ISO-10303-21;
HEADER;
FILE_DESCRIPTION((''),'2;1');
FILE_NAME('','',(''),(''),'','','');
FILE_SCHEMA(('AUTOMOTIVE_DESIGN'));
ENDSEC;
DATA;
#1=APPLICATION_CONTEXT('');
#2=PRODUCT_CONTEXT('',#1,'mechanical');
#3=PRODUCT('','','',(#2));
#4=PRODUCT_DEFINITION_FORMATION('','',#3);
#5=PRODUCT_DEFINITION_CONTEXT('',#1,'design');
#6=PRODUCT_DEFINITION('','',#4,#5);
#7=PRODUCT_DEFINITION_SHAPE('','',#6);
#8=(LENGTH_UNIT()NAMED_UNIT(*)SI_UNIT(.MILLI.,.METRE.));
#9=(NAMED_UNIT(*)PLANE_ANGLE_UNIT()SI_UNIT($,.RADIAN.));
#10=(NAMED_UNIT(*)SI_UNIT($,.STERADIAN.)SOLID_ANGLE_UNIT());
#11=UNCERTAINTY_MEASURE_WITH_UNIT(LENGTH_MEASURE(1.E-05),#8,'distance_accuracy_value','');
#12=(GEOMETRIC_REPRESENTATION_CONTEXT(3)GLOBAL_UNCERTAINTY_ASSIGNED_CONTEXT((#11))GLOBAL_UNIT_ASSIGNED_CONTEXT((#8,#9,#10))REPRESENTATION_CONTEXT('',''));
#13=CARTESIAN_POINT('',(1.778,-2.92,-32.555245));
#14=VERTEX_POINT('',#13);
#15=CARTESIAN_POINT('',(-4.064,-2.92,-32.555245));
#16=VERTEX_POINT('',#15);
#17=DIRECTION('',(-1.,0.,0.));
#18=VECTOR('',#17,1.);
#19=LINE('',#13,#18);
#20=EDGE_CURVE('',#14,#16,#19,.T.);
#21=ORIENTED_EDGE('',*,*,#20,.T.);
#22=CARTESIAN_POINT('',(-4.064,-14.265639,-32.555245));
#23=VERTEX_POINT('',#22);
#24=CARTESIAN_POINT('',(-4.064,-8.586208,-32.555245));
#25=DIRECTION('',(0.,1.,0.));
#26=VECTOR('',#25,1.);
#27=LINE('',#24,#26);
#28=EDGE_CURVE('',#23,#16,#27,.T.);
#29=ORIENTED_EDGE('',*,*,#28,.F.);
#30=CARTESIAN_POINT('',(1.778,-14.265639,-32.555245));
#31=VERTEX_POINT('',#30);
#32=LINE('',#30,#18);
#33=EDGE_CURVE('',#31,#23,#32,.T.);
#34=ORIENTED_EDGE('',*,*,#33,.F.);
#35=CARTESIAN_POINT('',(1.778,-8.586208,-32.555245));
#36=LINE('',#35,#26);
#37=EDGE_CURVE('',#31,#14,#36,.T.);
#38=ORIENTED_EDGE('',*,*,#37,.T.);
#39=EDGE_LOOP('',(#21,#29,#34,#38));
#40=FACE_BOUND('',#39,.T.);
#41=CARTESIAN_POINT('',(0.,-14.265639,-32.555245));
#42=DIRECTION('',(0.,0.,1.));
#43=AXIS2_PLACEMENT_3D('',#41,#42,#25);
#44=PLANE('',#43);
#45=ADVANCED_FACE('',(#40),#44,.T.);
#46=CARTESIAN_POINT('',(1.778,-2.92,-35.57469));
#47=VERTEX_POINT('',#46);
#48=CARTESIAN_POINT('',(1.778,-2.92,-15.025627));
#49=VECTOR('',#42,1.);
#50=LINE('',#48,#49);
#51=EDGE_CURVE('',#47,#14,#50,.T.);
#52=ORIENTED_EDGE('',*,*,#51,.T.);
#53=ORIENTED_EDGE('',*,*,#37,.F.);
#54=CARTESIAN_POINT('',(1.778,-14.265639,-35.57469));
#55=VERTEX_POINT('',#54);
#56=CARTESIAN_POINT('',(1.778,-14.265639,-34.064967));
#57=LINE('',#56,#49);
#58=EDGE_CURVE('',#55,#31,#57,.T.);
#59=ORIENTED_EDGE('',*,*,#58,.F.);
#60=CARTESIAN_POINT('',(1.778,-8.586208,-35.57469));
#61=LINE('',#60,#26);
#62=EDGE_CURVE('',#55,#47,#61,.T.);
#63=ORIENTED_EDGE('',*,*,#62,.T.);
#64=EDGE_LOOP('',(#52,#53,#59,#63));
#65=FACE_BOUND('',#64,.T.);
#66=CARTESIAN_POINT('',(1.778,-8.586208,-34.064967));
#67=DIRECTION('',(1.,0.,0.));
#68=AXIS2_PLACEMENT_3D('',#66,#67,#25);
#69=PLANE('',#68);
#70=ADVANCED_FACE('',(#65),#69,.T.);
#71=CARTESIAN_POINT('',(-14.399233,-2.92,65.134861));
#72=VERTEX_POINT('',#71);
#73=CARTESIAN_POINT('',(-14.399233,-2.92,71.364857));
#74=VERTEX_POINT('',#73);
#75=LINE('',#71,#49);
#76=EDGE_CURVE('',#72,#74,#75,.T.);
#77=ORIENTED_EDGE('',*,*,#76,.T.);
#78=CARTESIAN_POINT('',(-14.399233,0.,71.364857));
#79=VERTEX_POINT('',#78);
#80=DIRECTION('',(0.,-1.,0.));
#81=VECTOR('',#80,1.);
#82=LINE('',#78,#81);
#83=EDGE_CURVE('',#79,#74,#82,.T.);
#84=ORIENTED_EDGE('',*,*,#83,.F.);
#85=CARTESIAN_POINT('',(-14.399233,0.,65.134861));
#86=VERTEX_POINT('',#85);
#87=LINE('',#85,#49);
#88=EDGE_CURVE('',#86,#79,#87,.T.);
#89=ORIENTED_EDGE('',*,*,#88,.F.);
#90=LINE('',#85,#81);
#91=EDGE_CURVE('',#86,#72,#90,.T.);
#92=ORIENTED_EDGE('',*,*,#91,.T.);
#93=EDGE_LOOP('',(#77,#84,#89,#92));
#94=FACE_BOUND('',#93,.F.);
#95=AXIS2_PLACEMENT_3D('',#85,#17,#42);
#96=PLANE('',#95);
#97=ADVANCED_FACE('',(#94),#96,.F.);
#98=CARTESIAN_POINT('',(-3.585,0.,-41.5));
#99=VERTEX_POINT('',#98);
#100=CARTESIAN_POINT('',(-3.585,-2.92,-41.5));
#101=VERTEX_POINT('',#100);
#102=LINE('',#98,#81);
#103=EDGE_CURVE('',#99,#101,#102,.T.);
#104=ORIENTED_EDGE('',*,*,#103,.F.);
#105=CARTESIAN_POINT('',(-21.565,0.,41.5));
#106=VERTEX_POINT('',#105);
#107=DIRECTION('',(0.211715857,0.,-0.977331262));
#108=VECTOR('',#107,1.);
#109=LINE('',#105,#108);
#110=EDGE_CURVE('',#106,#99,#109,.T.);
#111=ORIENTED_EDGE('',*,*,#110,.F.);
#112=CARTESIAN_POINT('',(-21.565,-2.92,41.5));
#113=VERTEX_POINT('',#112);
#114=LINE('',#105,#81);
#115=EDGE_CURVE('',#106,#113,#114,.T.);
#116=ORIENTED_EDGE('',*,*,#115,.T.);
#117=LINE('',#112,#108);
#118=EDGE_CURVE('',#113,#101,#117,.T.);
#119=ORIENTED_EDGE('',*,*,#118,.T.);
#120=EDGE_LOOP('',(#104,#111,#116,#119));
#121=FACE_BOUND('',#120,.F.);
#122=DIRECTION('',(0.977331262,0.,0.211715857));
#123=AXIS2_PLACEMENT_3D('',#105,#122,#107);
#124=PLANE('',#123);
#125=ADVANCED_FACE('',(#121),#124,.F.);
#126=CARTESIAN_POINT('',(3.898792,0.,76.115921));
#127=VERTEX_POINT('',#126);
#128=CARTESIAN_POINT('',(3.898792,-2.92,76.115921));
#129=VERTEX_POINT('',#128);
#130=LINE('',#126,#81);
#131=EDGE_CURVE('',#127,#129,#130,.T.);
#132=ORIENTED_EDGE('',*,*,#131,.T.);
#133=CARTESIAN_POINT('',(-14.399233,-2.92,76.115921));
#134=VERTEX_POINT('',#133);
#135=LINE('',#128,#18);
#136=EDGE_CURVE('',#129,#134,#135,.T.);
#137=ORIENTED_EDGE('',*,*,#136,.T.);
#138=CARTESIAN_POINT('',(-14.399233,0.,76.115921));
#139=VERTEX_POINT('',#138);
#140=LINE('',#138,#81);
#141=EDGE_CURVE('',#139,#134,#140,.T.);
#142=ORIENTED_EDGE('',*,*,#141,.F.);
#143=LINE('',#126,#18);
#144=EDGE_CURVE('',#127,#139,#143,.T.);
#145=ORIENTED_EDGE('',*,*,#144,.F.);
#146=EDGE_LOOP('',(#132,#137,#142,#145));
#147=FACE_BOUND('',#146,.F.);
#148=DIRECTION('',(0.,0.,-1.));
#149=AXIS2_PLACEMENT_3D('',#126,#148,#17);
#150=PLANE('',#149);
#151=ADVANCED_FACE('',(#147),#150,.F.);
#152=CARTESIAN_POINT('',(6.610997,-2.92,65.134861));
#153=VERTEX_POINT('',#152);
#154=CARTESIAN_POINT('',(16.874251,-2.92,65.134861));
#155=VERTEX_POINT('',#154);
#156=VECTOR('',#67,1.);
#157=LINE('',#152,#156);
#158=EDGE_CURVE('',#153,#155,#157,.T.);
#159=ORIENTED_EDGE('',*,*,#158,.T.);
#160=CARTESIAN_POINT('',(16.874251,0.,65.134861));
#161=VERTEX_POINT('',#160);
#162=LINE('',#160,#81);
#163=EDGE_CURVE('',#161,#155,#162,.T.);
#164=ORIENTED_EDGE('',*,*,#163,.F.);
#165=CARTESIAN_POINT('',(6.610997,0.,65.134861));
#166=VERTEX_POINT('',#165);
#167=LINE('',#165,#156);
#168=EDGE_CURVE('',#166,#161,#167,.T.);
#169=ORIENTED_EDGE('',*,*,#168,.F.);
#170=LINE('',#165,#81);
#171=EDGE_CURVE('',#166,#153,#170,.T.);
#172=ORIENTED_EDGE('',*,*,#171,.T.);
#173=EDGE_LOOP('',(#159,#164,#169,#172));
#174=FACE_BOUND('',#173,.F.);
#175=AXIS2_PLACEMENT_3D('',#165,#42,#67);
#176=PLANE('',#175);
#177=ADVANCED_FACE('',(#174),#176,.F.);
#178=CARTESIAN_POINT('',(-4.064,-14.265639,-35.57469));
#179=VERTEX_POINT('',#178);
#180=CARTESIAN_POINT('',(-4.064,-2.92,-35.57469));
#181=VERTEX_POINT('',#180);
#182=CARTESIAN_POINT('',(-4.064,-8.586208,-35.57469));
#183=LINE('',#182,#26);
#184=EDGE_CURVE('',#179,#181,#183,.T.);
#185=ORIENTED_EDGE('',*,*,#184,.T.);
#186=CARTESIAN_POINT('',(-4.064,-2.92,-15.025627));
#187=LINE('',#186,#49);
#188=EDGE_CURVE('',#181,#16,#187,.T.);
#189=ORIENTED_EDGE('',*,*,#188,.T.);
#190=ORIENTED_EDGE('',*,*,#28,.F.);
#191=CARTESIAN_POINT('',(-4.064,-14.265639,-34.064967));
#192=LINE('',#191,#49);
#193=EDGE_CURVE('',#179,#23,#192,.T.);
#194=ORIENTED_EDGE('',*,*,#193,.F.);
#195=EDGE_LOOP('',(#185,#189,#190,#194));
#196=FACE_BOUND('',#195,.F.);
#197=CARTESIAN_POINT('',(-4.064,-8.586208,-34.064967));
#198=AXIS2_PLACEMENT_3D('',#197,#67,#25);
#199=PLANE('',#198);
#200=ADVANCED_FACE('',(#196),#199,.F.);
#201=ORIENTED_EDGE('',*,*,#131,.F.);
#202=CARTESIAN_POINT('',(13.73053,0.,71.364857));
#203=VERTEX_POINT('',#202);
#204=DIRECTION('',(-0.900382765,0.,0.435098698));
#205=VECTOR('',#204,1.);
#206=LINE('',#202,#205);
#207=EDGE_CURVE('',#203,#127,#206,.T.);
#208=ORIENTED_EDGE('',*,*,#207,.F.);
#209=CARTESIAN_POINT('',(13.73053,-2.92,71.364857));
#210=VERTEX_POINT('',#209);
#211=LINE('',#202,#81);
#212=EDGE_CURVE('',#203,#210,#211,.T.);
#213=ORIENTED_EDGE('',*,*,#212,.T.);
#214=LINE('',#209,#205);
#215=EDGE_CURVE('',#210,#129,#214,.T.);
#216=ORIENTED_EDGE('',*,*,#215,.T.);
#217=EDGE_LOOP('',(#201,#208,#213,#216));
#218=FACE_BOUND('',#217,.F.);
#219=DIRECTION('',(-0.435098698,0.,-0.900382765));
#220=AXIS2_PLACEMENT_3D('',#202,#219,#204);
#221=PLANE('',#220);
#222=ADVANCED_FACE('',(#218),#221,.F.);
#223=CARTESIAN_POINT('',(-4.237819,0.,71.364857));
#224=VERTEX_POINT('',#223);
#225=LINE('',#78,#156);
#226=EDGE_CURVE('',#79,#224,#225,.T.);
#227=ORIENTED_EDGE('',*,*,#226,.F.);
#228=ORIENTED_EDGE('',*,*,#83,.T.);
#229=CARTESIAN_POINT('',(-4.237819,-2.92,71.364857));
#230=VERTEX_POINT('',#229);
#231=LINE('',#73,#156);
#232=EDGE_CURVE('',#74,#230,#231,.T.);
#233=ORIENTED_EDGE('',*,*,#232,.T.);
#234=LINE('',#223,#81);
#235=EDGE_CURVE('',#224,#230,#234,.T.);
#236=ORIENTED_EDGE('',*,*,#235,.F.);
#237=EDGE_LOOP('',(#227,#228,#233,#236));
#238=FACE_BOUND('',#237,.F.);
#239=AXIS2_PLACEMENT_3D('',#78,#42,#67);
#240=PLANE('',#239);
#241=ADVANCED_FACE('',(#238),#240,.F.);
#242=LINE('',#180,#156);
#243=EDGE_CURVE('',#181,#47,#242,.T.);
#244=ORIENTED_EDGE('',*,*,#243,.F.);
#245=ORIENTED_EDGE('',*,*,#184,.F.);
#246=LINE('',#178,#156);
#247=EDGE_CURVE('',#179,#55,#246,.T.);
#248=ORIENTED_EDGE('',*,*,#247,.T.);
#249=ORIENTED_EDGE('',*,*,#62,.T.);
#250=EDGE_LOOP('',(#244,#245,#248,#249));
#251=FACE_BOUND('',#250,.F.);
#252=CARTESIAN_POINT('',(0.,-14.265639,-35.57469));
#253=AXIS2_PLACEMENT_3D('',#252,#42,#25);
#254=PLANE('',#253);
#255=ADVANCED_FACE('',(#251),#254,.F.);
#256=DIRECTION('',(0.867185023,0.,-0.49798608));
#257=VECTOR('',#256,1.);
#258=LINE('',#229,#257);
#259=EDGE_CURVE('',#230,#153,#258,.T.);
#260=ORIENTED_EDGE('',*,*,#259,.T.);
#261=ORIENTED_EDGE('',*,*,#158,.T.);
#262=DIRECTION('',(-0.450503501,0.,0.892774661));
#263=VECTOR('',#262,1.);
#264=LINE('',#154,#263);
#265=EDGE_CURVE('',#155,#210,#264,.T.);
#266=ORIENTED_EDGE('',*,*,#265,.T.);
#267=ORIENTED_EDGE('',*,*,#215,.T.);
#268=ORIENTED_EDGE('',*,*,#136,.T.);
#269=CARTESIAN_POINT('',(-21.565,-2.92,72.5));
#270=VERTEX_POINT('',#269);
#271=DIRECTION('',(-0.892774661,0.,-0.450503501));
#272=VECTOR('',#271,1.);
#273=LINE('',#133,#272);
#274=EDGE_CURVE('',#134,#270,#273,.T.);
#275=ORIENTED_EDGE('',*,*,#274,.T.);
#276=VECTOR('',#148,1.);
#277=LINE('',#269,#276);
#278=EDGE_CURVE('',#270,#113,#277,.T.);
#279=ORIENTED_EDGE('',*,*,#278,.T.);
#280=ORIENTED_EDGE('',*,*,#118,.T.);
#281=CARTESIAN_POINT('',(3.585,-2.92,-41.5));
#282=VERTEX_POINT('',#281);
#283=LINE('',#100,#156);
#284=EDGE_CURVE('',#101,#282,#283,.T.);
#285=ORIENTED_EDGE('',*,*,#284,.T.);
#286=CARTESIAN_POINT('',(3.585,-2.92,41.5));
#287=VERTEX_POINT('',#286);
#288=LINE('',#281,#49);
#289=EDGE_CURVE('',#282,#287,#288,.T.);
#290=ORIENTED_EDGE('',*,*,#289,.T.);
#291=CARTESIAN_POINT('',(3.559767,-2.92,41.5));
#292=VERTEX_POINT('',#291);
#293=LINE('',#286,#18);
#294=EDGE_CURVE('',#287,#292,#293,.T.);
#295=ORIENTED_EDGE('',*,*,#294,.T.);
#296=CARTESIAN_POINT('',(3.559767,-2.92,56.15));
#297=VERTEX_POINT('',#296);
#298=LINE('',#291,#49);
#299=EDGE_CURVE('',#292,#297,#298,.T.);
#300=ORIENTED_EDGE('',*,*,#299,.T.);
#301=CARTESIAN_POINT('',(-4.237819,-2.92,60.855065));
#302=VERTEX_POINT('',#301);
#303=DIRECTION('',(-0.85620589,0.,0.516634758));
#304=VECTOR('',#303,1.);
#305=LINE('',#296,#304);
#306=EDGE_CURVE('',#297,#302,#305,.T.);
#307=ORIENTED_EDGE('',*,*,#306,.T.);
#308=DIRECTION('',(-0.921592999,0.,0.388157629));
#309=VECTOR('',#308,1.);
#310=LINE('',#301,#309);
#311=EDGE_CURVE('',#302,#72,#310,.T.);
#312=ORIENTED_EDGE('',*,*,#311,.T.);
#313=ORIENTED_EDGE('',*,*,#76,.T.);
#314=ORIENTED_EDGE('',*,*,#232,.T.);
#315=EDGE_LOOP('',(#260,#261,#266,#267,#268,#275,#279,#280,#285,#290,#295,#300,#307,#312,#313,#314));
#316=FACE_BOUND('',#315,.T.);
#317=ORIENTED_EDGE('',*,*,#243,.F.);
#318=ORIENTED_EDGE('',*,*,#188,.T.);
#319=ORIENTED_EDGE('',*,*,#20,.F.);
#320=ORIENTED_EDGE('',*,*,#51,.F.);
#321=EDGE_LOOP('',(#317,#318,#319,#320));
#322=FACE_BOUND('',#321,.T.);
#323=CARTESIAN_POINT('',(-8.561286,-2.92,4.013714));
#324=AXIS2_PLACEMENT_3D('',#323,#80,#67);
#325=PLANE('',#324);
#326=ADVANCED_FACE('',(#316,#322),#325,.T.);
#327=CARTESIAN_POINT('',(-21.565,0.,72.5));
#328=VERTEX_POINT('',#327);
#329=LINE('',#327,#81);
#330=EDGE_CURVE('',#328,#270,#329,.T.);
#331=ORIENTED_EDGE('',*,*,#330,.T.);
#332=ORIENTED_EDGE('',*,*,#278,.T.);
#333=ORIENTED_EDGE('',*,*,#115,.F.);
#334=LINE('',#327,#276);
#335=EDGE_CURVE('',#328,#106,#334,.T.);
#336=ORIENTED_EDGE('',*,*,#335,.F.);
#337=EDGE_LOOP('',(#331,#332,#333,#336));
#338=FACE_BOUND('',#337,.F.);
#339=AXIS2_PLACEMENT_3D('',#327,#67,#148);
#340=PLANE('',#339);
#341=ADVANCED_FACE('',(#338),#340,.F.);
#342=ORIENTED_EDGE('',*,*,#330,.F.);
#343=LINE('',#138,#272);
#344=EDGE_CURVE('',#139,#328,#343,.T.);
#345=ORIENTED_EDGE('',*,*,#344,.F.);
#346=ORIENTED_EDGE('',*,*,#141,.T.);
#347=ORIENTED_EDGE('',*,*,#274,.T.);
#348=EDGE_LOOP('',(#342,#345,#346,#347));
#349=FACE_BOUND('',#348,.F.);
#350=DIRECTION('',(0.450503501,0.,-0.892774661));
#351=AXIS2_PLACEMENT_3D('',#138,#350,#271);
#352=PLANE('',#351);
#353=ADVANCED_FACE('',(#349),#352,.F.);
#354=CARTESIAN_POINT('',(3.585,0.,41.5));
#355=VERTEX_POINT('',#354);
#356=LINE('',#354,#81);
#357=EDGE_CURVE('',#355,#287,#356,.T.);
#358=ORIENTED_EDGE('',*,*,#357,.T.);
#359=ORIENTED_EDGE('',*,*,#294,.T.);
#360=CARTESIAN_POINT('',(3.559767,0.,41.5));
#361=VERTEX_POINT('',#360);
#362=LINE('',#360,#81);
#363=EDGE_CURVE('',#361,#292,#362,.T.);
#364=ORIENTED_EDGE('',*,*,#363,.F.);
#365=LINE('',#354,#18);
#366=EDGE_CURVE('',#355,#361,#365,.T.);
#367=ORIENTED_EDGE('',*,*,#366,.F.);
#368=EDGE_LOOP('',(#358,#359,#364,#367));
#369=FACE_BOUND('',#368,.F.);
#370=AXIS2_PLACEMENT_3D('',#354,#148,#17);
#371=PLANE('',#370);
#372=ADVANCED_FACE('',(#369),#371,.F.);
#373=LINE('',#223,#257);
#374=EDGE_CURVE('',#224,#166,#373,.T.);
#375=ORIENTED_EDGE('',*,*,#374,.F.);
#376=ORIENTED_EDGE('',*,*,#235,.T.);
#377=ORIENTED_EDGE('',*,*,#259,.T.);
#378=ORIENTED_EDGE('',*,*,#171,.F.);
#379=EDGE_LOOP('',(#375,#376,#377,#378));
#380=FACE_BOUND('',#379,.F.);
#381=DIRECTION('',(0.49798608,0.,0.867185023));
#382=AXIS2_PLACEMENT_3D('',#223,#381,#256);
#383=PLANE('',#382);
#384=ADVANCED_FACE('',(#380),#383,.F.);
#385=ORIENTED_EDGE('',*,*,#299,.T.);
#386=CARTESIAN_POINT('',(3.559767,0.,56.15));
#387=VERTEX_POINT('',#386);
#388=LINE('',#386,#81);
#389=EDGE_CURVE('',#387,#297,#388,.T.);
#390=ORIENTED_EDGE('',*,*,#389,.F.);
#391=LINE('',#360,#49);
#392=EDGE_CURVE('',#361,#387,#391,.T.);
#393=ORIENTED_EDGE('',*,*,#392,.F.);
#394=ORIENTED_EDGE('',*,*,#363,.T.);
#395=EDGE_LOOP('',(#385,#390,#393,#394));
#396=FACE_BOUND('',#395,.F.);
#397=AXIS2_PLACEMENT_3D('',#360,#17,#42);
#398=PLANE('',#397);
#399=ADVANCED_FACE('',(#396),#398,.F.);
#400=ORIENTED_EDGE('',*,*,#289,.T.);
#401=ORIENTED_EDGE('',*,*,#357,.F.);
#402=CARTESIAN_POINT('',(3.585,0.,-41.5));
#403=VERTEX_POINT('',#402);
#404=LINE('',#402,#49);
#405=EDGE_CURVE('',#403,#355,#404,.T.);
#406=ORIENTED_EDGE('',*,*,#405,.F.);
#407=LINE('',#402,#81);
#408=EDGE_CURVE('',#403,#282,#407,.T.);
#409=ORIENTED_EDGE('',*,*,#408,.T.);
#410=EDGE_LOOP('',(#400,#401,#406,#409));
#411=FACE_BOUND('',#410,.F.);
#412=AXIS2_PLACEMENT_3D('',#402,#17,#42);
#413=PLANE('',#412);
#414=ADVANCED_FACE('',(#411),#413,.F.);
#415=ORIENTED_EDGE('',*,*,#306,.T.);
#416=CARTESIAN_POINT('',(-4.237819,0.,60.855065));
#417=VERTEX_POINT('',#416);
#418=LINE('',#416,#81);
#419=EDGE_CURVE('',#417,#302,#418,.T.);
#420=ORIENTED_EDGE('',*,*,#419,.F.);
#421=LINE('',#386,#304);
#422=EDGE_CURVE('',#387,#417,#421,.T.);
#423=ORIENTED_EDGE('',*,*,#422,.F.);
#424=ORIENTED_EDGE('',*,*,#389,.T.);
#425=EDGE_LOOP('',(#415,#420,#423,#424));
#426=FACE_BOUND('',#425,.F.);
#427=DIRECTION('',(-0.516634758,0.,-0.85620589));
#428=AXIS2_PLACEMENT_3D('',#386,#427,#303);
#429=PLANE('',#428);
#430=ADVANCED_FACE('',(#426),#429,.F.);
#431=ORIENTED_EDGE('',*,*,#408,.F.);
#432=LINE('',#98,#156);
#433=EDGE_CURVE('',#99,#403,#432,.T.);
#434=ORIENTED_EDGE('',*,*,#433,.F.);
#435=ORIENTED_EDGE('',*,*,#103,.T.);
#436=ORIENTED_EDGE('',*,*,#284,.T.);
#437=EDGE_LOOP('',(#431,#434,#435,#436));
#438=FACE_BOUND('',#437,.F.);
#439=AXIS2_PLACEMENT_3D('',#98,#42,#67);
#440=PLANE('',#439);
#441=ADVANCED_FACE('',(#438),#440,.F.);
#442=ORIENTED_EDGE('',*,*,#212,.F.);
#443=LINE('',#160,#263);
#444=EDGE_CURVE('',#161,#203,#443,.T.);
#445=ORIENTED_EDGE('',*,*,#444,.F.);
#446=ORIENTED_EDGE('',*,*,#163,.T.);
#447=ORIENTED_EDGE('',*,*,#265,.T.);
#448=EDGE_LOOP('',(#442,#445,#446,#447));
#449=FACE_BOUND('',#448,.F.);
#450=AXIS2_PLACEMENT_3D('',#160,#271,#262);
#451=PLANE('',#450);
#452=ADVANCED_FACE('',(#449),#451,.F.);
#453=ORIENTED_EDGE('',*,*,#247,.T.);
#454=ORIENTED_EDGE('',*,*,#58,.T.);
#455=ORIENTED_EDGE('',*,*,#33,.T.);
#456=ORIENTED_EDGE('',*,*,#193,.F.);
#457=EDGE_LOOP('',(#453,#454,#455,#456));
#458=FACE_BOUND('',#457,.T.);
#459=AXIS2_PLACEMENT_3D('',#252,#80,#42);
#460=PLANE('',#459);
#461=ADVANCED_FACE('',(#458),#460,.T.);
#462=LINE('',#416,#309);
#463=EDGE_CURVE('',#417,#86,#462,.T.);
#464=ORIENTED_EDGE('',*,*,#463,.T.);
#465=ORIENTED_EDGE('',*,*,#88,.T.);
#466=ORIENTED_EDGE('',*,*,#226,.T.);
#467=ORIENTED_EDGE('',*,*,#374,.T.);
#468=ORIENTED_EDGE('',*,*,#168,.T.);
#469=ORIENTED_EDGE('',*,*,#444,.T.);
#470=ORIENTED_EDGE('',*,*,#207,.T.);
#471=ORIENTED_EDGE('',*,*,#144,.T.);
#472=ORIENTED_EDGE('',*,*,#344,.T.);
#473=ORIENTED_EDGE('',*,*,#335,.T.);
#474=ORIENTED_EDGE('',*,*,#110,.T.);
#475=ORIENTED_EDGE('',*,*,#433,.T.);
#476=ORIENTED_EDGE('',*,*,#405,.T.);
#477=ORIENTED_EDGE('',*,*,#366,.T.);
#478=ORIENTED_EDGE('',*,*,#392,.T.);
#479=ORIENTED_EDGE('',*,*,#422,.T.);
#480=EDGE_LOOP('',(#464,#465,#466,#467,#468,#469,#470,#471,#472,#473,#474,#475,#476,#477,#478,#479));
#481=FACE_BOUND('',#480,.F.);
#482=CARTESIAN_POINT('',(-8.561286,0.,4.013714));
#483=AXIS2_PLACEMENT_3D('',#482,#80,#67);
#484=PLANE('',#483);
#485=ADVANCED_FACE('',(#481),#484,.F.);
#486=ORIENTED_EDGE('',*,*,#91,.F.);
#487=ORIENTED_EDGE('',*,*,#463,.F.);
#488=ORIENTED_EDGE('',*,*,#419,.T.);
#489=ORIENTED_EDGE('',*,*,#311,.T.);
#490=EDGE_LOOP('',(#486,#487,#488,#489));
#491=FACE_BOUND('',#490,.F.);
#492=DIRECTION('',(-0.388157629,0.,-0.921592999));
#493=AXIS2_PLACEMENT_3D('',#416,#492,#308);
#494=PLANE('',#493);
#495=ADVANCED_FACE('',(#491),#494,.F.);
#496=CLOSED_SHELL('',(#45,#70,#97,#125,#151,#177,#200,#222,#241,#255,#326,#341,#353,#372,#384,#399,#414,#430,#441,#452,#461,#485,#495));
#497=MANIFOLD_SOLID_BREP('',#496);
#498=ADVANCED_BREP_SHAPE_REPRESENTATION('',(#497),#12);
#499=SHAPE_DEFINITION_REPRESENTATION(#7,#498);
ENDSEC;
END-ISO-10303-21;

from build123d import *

# Parameters (mm, degrees)
F1_DEPTH      = 2.92
F2_W          = 11.3588606473
F2_H          = 3.0194446445
F3_DEPTH      = 4.064
F3_DEPTH_BACK = 1.778


with BuildPart() as f1:
    # F0 (on Front) → F1 (new body)
    with BuildSketch(Plane.XZ):
        Polygon((-21.565, 41.5), (-3.585, -41.5), (-3.585, 41.5), align=None)
        Polygon((-21.565, 41.5), (-3.585, 41.5), (3.5597670358, 41.5), (3.5597670358, 56.15), (-21.565, 56.15), align=None)
        Polygon((-21.565, 72.5), (-21.565, 56.15), (3.5597670358, 56.15), (-4.2378189974, 60.8550645411), (-14.3992334591, 65.134861098), (-14.3992334591, 71.3648572564), (-4.2378189974, 71.3648572564), (6.6109970212, 65.134861098), (16.8742514001, 65.134861098), (13.7305296957, 71.3648572564), (3.8987922017, 76.1159212991), (-14.3992334591, 76.1159212991), align=None)
        Polygon((-3.585, -41.5), (3.585, -41.5), (3.585, 41.5), (3.5597670358, 41.5), (-3.585, 41.5), align=None)
    extrude(amount=F1_DEPTH)

    # F2 (on Right) → F3 (join, two sides)
    with BuildSketch(Plane.YZ) as f3_sk:
        with Locations((-8.5862084525, -34.0649671853)):
            Rectangle(F2_W, F2_H)
    extrude(amount=-F3_DEPTH)
    extrude(f3_sk.sketch, amount=F3_DEPTH_BACK)


solid = f1.part
